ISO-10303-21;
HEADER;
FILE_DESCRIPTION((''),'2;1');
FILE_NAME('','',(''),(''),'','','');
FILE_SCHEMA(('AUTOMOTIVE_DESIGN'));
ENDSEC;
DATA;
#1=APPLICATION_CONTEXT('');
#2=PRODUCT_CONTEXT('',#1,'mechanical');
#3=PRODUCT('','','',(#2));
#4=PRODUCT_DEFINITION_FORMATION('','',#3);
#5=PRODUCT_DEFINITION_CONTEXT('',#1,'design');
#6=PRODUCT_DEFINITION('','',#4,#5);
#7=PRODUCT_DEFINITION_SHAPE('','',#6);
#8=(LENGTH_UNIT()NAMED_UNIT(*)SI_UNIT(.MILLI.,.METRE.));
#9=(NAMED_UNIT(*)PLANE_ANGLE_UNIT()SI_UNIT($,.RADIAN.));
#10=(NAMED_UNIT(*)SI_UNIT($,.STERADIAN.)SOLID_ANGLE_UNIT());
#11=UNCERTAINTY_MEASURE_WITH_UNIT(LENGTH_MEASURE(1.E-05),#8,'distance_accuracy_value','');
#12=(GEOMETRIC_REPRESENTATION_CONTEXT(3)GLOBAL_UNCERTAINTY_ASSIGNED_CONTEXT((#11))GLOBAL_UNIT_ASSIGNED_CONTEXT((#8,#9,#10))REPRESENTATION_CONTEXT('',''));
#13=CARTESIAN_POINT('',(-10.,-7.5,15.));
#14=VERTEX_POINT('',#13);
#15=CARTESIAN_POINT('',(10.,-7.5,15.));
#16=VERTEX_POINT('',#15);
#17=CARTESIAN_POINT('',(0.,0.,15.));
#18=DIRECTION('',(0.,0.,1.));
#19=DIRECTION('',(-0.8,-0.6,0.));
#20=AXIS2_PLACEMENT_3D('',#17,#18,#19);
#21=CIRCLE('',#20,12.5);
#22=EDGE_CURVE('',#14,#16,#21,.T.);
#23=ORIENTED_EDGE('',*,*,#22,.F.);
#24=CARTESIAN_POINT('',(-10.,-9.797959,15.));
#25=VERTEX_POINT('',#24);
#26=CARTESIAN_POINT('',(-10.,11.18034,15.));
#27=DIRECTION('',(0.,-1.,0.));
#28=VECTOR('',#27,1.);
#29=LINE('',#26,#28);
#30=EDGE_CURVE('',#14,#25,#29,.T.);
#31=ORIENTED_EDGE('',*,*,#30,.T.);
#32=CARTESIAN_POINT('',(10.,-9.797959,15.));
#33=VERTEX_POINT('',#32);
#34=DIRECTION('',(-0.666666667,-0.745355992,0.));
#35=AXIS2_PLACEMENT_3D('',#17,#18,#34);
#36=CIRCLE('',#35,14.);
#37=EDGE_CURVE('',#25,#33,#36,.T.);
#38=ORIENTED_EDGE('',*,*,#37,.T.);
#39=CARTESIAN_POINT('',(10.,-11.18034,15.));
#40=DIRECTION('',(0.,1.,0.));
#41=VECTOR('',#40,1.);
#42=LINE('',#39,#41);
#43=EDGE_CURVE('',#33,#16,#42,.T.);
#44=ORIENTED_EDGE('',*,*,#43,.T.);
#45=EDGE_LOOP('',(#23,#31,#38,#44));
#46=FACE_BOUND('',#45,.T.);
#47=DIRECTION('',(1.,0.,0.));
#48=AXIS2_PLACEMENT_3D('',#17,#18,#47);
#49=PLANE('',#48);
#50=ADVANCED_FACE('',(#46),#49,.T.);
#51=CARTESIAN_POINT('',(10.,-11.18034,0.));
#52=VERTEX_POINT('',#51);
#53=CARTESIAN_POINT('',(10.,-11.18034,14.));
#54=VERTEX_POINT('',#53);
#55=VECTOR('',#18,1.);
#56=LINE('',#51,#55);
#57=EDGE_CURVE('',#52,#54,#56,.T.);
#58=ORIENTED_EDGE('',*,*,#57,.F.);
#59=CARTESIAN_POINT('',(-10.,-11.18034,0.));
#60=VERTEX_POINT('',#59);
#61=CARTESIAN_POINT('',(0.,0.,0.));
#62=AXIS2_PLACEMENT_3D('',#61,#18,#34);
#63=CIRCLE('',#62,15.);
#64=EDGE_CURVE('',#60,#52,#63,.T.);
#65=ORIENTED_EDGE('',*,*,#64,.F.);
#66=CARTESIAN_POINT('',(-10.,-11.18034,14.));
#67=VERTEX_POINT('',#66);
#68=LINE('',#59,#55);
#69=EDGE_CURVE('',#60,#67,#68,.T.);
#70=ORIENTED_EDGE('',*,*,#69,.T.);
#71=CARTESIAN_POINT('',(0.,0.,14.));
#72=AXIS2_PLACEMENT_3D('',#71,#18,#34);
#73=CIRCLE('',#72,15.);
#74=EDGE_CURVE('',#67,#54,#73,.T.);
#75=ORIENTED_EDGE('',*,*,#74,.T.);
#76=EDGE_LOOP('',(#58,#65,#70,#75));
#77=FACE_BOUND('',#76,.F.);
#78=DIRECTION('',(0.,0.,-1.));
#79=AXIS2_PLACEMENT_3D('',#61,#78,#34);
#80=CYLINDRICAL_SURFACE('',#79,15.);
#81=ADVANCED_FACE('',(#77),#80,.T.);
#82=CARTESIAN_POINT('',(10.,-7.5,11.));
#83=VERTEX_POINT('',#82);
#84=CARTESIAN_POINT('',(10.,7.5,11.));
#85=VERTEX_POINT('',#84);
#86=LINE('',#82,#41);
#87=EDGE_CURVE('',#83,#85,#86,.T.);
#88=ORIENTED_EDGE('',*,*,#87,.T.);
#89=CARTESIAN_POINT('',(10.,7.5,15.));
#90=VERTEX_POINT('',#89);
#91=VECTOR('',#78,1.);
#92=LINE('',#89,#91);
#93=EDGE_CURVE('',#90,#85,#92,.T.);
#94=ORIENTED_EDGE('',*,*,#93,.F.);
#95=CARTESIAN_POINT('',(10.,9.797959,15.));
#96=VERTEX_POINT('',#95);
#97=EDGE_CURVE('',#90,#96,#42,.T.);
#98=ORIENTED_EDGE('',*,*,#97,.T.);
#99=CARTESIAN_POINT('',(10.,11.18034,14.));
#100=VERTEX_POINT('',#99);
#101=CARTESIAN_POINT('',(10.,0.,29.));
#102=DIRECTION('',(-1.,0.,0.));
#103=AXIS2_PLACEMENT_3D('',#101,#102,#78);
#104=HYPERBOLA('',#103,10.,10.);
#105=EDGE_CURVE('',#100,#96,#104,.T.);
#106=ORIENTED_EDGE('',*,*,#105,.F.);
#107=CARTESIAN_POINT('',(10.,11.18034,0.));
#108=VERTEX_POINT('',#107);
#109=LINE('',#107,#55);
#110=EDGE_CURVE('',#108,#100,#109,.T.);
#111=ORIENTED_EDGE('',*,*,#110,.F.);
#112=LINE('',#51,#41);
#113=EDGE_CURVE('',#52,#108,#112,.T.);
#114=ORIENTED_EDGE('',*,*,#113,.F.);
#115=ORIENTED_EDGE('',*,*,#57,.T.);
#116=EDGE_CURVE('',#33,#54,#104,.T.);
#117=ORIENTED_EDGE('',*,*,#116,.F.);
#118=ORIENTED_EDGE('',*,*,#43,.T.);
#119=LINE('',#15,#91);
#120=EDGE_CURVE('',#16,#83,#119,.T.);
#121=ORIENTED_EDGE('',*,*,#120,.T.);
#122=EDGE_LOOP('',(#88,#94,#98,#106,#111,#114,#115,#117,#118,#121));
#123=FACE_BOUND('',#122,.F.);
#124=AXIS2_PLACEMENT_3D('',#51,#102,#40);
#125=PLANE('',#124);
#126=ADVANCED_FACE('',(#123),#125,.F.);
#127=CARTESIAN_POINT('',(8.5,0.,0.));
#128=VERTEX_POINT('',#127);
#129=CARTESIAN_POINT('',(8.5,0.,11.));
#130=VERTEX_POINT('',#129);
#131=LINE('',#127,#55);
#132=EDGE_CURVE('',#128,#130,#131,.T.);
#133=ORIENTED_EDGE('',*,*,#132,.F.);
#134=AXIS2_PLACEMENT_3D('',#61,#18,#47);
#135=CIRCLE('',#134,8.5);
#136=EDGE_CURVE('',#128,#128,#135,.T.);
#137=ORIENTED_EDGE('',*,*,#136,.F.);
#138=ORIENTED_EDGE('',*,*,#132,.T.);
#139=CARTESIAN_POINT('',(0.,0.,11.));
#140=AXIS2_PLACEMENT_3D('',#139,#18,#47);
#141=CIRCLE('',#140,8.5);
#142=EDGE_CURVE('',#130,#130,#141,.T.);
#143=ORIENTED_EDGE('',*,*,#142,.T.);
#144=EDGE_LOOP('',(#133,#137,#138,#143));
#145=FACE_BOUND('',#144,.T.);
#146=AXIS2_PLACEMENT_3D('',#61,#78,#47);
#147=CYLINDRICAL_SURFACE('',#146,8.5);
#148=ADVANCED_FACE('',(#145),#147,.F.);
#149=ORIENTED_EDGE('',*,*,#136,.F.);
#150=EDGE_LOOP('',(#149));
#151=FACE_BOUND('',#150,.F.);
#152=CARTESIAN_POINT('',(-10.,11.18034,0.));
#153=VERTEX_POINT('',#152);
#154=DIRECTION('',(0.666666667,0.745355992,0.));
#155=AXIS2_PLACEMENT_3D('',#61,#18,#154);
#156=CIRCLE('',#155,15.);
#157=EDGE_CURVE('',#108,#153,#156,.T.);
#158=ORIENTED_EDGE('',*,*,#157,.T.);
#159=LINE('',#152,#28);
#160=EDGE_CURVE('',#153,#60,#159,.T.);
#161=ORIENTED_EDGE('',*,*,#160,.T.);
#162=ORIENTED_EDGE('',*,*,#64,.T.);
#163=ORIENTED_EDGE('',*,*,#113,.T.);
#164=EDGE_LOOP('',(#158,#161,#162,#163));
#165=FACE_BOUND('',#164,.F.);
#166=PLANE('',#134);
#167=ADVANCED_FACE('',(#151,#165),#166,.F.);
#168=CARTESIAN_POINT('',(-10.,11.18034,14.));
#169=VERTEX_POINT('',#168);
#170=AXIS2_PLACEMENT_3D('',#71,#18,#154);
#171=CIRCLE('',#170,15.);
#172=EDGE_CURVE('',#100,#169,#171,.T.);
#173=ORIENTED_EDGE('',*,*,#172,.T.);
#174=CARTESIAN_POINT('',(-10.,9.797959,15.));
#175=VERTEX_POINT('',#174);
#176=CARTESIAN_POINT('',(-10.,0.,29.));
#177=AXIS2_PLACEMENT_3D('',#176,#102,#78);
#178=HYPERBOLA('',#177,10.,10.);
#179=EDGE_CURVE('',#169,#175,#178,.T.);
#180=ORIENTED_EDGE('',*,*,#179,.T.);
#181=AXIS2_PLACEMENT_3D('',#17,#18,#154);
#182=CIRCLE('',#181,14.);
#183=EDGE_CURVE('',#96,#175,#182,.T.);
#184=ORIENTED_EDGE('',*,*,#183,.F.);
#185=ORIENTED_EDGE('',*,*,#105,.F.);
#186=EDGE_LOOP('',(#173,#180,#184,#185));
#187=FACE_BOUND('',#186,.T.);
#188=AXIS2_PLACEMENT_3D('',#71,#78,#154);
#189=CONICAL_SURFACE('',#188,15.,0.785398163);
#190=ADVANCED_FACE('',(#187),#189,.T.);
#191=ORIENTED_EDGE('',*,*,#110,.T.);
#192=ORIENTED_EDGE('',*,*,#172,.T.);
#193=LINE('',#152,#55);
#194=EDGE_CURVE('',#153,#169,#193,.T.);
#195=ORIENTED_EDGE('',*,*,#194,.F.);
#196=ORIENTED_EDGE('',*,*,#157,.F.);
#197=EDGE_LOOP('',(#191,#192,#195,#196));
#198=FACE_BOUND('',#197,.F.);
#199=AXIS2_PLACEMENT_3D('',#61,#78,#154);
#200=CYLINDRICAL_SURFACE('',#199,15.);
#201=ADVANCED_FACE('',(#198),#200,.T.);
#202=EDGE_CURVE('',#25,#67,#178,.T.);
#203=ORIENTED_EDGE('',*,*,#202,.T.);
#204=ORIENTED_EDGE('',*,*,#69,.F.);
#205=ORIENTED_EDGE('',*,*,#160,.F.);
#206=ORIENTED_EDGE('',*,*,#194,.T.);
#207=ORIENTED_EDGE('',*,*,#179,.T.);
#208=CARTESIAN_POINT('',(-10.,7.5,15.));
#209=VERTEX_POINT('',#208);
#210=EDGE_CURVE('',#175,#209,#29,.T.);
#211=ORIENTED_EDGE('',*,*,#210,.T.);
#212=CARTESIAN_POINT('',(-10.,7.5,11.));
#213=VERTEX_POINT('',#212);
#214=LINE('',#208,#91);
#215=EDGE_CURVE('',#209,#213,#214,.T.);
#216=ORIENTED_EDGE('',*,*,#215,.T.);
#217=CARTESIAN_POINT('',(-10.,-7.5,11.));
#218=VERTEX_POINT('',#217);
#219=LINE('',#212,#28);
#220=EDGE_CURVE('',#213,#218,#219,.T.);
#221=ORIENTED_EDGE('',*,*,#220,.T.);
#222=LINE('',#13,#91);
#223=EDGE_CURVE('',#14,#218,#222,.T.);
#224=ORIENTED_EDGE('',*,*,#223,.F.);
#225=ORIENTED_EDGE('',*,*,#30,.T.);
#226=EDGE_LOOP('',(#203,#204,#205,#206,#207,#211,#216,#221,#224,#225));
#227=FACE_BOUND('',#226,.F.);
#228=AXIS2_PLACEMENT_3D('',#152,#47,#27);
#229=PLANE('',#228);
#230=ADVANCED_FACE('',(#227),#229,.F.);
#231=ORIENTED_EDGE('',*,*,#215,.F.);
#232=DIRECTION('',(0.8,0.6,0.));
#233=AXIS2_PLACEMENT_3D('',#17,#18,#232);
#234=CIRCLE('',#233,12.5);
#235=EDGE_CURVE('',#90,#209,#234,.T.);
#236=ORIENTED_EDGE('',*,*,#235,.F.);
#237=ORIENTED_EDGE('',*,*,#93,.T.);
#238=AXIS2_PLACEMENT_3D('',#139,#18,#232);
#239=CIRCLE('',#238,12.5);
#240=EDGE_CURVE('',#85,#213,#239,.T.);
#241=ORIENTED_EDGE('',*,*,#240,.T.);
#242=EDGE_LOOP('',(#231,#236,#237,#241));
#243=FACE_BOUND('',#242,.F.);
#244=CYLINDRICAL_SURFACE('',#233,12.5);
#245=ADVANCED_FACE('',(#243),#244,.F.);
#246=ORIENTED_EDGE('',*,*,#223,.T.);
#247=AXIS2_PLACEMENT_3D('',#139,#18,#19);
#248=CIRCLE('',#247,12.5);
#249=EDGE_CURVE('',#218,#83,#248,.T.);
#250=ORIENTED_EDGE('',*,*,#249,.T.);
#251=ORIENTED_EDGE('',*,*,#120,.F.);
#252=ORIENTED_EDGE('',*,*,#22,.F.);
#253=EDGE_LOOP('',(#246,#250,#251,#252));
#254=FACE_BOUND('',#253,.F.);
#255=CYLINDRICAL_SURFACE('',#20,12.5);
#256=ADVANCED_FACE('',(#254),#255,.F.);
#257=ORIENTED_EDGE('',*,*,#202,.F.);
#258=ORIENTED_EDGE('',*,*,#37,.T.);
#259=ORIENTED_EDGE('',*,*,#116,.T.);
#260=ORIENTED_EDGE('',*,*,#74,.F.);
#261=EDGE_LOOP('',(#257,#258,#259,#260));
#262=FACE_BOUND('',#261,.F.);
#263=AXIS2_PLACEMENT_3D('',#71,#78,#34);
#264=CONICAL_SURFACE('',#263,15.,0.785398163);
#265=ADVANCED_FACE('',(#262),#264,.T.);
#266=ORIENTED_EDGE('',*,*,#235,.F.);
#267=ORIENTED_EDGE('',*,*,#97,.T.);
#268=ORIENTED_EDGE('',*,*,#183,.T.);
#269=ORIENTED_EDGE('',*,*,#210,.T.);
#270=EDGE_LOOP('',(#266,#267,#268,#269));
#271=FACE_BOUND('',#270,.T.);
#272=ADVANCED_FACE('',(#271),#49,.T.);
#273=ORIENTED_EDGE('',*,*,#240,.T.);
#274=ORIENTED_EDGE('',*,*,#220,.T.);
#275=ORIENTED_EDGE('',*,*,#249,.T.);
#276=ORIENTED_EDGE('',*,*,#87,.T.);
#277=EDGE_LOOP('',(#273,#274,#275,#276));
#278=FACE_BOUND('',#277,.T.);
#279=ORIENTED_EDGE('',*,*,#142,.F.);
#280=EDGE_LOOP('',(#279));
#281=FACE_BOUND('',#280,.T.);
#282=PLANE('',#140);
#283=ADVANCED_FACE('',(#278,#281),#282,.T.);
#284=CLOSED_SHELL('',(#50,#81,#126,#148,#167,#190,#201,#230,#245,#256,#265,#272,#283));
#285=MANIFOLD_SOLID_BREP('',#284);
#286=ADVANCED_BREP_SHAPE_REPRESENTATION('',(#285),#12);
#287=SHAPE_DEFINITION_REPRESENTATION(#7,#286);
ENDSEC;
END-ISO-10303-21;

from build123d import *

# Parameters (mm, degrees)
F0_R     = 8.5
F1_DEPTH = 15
F2_R     = 8.5
F3_DEPTH = 4
F4_SIZE  = 1


with BuildPart() as f1:
    # F0 (on Top) → F1 (new body)
    with BuildSketch(Plane.XY):
        with BuildLine():
            Line((10, -11.1803398875), (10, 11.1803398875))
            ThreePointArc((10, 11.1803398875), (0, 15), (-10, 11.1803398875))
            Line((-10, 11.1803398875), (-10, -11.1803398875))
            ThreePointArc((-10, -11.1803398875), (0, -15), (10, -11.1803398875))
        make_face()
        Circle(F0_R, mode=Mode.SUBTRACT)
    extrude(amount=F1_DEPTH)

    # F2 (on face) → F3 (cut)
    with BuildSketch(Plane.XY.offset(15)):
        with BuildLine():
            Line((10, -7.5), (10, 7.5))
            ThreePointArc((10, 7.5), (0, 12.5), (-10, 7.5))
            Line((-10, 7.5), (-10, -7.5))
            ThreePointArc((-10, -7.5), (0, -12.5), (10, -7.5))
        make_face()
        Circle(F2_R, mode=Mode.SUBTRACT)
    extrude(amount=-F3_DEPTH, mode=Mode.SUBTRACT)

    # F4
    f4_edges = [f1.edges().sort_by_distance(p)[0] for p in [
        (0, -15, 15),
        (0, 15, 15),
    ]]
    chamfer(f4_edges, length=F4_SIZE)


solid = f1.part
